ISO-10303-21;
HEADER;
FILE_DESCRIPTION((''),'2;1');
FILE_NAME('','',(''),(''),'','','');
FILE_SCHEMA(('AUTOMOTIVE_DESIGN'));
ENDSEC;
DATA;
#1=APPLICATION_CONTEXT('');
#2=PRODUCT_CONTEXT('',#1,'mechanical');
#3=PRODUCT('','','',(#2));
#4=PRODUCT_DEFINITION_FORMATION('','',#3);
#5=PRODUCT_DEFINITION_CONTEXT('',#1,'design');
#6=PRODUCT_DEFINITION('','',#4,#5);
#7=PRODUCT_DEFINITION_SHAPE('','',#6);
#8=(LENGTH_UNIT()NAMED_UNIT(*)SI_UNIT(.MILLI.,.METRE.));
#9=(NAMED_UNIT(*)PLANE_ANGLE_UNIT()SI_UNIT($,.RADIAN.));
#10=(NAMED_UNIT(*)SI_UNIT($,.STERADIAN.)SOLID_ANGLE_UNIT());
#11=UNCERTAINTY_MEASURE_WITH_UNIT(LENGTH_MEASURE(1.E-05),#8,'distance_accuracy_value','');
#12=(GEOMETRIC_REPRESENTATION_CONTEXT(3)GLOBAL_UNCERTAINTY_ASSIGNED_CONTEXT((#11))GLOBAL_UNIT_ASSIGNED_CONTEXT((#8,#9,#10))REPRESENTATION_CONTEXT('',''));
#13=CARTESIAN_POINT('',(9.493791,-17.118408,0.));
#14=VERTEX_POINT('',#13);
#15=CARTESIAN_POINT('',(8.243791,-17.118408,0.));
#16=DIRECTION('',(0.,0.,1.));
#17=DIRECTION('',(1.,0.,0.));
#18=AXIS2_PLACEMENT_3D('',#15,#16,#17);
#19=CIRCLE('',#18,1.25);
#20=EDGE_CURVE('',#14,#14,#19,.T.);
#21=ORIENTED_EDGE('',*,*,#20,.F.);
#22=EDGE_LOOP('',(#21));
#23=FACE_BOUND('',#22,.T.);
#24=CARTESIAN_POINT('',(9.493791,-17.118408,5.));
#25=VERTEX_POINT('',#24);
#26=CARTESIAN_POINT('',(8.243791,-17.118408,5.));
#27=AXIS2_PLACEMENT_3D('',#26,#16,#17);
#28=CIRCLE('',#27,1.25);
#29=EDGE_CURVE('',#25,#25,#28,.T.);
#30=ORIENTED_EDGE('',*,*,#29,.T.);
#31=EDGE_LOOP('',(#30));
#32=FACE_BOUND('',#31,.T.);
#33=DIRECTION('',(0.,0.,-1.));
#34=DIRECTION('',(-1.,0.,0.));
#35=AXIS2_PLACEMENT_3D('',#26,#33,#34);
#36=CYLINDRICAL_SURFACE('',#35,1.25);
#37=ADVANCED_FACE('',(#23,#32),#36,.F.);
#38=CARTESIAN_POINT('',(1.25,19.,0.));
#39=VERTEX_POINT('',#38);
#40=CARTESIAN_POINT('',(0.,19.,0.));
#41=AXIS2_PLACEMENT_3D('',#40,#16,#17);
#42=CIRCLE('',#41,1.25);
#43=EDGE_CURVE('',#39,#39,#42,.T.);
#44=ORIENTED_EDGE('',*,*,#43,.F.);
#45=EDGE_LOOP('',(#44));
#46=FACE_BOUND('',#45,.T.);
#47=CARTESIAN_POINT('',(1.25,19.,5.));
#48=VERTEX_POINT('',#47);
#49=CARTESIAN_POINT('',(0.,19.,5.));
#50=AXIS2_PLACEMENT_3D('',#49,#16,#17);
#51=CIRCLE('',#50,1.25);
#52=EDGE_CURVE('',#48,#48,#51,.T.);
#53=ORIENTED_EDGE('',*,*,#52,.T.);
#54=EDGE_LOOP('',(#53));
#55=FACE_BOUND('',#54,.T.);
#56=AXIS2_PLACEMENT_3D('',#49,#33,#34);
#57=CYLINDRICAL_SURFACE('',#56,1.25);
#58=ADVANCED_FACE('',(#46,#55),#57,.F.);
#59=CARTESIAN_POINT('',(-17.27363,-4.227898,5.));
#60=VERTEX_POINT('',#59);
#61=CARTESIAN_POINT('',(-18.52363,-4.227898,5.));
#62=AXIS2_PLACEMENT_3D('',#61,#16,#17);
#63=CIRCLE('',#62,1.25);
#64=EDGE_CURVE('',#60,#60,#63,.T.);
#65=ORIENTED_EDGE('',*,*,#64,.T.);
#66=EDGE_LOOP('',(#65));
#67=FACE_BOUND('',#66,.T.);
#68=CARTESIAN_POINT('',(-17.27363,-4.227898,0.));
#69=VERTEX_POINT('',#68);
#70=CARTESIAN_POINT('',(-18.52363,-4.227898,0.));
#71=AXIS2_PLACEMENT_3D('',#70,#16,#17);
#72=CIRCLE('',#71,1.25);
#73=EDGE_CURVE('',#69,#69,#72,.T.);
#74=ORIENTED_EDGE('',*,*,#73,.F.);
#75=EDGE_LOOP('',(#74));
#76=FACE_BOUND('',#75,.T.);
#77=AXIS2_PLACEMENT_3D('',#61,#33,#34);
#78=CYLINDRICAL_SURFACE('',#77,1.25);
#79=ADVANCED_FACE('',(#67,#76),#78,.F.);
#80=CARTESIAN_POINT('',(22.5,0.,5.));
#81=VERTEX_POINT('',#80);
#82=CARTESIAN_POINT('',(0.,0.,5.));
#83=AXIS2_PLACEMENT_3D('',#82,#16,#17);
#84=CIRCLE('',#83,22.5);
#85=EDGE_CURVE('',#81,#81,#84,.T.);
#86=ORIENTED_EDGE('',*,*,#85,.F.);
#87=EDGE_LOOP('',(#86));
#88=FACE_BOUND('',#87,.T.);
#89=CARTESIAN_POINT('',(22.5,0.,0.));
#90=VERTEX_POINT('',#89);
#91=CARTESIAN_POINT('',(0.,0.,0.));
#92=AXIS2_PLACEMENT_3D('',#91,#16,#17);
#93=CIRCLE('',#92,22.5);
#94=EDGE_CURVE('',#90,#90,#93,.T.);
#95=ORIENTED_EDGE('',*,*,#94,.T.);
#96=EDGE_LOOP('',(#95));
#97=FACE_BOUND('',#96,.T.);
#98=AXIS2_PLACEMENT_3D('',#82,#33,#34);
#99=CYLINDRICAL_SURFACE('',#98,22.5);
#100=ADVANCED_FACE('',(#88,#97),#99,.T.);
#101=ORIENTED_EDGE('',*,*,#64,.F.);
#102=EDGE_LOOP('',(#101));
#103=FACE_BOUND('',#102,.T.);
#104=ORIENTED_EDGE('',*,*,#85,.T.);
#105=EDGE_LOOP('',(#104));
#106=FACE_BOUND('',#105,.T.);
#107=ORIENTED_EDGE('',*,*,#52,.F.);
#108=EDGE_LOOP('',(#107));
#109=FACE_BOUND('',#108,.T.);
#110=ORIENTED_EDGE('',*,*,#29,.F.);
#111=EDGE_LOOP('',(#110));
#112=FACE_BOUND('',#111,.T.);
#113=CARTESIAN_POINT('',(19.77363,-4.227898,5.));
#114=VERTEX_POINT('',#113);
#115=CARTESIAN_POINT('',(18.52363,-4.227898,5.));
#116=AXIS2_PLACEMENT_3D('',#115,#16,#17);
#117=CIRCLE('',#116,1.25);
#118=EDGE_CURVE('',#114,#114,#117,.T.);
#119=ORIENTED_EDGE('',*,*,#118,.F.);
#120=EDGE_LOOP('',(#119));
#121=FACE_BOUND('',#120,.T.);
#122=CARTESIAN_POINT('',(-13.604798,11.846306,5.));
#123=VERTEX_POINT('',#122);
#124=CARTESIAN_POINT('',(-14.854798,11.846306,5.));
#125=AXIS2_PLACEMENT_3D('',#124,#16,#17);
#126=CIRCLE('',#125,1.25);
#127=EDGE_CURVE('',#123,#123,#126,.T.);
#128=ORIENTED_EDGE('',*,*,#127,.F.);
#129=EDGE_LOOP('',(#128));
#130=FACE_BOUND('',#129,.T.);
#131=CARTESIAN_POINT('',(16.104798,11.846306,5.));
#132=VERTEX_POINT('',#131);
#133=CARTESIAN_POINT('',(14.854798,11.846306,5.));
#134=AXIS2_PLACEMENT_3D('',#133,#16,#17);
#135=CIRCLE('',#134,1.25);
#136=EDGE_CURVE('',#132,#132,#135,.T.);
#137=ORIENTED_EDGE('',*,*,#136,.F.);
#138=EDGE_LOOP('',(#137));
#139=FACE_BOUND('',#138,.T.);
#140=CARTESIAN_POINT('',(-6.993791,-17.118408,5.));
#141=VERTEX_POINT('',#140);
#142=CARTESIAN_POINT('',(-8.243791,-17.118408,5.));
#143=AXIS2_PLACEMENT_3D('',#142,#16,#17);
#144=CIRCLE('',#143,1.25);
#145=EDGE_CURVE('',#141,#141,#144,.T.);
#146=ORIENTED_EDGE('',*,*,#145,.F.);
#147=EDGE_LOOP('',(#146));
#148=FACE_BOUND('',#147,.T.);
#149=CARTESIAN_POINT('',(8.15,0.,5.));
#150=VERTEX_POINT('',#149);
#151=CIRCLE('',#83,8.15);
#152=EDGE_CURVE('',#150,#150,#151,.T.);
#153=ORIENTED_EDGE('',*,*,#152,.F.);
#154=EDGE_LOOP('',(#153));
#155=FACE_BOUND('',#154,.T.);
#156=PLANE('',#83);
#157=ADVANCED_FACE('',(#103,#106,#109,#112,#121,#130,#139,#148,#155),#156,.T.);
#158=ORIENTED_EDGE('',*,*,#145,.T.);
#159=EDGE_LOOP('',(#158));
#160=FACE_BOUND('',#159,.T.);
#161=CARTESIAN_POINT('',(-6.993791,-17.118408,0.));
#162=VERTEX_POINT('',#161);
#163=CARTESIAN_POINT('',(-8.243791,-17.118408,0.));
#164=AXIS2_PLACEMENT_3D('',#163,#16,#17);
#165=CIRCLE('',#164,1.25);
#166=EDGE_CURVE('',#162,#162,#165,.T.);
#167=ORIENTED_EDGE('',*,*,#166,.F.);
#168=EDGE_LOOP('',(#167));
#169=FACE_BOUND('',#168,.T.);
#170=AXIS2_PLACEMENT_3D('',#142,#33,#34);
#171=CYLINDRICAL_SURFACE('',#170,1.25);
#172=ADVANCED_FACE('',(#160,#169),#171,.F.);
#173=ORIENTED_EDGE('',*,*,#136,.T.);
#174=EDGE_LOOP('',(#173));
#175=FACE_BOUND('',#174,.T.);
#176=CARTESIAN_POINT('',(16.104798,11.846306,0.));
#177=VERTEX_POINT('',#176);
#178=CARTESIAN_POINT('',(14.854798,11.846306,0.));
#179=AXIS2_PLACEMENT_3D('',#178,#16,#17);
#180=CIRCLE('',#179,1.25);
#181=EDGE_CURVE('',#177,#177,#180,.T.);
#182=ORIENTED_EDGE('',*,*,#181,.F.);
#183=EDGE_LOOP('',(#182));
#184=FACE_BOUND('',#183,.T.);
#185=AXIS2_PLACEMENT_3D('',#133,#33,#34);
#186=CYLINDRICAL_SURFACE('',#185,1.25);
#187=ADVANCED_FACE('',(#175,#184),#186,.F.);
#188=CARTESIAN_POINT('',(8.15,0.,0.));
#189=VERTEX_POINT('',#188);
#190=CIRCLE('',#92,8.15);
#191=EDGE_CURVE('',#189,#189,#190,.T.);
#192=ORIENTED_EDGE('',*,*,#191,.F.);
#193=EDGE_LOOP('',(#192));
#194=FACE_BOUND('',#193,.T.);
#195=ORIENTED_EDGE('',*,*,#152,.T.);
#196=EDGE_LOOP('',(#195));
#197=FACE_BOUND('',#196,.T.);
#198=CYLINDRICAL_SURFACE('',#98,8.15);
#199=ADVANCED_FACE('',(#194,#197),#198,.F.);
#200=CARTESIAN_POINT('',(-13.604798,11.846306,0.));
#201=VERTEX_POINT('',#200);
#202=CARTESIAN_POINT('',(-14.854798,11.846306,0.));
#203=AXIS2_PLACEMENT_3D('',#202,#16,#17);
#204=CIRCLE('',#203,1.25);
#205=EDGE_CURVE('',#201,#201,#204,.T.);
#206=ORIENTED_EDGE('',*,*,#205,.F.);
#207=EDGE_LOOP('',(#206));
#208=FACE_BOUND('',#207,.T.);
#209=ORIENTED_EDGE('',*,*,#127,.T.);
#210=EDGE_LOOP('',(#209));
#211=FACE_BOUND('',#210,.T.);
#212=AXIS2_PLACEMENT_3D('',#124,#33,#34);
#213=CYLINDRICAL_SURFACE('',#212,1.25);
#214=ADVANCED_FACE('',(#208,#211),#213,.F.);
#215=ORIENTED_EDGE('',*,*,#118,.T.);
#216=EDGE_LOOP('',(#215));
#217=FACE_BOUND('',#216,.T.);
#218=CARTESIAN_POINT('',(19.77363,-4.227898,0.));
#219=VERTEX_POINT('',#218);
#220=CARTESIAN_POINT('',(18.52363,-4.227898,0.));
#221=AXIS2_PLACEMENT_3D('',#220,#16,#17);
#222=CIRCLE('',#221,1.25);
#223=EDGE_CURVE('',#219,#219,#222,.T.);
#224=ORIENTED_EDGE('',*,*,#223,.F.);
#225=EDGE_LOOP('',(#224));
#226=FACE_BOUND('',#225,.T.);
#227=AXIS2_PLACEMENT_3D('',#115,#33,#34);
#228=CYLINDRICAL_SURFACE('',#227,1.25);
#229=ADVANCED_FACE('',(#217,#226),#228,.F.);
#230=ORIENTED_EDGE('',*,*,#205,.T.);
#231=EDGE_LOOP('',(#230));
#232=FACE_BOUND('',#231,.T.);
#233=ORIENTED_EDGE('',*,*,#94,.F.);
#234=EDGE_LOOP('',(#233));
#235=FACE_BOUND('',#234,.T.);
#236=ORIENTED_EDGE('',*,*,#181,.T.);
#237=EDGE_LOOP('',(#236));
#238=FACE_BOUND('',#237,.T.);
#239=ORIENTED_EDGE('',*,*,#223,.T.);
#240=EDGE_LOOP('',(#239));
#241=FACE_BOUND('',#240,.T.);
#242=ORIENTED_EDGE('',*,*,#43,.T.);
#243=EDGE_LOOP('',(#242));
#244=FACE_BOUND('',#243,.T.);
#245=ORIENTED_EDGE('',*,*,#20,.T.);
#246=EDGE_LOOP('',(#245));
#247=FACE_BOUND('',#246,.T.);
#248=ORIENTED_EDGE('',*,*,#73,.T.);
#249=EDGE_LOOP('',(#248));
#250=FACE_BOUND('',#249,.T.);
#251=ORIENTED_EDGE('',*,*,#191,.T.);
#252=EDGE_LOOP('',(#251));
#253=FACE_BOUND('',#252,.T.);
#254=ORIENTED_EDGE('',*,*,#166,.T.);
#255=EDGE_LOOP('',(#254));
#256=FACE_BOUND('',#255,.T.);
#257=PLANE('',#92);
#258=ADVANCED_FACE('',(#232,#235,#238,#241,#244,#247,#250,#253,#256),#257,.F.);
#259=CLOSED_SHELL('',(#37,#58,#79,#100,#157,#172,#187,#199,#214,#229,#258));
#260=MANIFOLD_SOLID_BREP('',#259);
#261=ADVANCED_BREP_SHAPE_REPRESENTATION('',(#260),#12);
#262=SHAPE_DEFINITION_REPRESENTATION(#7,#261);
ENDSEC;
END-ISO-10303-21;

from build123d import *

# Parameters (mm, degrees)
SKETCH1_R           = 22.5
SKETCH1_R_2         = 1.25
SKETCH1_R_3         = 8.15
BOSS_EXTRUDE1_DEPTH = 5


with BuildPart() as part:
    # Sketch1 → Boss-Extrude1 (new body)
    with BuildSketch(Plane.XY):
        Circle(SKETCH1_R)
        with Locations((0, 19)):
            Circle(SKETCH1_R_2, mode=Mode.SUBTRACT)
        with Locations((14.854798167, 11.846306235)):
            Circle(SKETCH1_R_2, mode=Mode.SUBTRACT)
        with Locations((18.523630331, -4.227897745)):
            Circle(SKETCH1_R_2, mode=Mode.SUBTRACT)
        with Locations((8.243791043, -17.11840849)):
            Circle(SKETCH1_R_2, mode=Mode.SUBTRACT)
        with Locations((-8.243791043, -17.11840849)):
            Circle(SKETCH1_R_2, mode=Mode.SUBTRACT)
        with Locations((-18.523630331, -4.227897745)):
            Circle(SKETCH1_R_2, mode=Mode.SUBTRACT)
        Circle(SKETCH1_R_3, mode=Mode.SUBTRACT)
        with Locations((-14.854798167, 11.846306235)):
            Circle(SKETCH1_R_2, mode=Mode.SUBTRACT)
    extrude(amount=BOSS_EXTRUDE1_DEPTH)


solid = part.part
